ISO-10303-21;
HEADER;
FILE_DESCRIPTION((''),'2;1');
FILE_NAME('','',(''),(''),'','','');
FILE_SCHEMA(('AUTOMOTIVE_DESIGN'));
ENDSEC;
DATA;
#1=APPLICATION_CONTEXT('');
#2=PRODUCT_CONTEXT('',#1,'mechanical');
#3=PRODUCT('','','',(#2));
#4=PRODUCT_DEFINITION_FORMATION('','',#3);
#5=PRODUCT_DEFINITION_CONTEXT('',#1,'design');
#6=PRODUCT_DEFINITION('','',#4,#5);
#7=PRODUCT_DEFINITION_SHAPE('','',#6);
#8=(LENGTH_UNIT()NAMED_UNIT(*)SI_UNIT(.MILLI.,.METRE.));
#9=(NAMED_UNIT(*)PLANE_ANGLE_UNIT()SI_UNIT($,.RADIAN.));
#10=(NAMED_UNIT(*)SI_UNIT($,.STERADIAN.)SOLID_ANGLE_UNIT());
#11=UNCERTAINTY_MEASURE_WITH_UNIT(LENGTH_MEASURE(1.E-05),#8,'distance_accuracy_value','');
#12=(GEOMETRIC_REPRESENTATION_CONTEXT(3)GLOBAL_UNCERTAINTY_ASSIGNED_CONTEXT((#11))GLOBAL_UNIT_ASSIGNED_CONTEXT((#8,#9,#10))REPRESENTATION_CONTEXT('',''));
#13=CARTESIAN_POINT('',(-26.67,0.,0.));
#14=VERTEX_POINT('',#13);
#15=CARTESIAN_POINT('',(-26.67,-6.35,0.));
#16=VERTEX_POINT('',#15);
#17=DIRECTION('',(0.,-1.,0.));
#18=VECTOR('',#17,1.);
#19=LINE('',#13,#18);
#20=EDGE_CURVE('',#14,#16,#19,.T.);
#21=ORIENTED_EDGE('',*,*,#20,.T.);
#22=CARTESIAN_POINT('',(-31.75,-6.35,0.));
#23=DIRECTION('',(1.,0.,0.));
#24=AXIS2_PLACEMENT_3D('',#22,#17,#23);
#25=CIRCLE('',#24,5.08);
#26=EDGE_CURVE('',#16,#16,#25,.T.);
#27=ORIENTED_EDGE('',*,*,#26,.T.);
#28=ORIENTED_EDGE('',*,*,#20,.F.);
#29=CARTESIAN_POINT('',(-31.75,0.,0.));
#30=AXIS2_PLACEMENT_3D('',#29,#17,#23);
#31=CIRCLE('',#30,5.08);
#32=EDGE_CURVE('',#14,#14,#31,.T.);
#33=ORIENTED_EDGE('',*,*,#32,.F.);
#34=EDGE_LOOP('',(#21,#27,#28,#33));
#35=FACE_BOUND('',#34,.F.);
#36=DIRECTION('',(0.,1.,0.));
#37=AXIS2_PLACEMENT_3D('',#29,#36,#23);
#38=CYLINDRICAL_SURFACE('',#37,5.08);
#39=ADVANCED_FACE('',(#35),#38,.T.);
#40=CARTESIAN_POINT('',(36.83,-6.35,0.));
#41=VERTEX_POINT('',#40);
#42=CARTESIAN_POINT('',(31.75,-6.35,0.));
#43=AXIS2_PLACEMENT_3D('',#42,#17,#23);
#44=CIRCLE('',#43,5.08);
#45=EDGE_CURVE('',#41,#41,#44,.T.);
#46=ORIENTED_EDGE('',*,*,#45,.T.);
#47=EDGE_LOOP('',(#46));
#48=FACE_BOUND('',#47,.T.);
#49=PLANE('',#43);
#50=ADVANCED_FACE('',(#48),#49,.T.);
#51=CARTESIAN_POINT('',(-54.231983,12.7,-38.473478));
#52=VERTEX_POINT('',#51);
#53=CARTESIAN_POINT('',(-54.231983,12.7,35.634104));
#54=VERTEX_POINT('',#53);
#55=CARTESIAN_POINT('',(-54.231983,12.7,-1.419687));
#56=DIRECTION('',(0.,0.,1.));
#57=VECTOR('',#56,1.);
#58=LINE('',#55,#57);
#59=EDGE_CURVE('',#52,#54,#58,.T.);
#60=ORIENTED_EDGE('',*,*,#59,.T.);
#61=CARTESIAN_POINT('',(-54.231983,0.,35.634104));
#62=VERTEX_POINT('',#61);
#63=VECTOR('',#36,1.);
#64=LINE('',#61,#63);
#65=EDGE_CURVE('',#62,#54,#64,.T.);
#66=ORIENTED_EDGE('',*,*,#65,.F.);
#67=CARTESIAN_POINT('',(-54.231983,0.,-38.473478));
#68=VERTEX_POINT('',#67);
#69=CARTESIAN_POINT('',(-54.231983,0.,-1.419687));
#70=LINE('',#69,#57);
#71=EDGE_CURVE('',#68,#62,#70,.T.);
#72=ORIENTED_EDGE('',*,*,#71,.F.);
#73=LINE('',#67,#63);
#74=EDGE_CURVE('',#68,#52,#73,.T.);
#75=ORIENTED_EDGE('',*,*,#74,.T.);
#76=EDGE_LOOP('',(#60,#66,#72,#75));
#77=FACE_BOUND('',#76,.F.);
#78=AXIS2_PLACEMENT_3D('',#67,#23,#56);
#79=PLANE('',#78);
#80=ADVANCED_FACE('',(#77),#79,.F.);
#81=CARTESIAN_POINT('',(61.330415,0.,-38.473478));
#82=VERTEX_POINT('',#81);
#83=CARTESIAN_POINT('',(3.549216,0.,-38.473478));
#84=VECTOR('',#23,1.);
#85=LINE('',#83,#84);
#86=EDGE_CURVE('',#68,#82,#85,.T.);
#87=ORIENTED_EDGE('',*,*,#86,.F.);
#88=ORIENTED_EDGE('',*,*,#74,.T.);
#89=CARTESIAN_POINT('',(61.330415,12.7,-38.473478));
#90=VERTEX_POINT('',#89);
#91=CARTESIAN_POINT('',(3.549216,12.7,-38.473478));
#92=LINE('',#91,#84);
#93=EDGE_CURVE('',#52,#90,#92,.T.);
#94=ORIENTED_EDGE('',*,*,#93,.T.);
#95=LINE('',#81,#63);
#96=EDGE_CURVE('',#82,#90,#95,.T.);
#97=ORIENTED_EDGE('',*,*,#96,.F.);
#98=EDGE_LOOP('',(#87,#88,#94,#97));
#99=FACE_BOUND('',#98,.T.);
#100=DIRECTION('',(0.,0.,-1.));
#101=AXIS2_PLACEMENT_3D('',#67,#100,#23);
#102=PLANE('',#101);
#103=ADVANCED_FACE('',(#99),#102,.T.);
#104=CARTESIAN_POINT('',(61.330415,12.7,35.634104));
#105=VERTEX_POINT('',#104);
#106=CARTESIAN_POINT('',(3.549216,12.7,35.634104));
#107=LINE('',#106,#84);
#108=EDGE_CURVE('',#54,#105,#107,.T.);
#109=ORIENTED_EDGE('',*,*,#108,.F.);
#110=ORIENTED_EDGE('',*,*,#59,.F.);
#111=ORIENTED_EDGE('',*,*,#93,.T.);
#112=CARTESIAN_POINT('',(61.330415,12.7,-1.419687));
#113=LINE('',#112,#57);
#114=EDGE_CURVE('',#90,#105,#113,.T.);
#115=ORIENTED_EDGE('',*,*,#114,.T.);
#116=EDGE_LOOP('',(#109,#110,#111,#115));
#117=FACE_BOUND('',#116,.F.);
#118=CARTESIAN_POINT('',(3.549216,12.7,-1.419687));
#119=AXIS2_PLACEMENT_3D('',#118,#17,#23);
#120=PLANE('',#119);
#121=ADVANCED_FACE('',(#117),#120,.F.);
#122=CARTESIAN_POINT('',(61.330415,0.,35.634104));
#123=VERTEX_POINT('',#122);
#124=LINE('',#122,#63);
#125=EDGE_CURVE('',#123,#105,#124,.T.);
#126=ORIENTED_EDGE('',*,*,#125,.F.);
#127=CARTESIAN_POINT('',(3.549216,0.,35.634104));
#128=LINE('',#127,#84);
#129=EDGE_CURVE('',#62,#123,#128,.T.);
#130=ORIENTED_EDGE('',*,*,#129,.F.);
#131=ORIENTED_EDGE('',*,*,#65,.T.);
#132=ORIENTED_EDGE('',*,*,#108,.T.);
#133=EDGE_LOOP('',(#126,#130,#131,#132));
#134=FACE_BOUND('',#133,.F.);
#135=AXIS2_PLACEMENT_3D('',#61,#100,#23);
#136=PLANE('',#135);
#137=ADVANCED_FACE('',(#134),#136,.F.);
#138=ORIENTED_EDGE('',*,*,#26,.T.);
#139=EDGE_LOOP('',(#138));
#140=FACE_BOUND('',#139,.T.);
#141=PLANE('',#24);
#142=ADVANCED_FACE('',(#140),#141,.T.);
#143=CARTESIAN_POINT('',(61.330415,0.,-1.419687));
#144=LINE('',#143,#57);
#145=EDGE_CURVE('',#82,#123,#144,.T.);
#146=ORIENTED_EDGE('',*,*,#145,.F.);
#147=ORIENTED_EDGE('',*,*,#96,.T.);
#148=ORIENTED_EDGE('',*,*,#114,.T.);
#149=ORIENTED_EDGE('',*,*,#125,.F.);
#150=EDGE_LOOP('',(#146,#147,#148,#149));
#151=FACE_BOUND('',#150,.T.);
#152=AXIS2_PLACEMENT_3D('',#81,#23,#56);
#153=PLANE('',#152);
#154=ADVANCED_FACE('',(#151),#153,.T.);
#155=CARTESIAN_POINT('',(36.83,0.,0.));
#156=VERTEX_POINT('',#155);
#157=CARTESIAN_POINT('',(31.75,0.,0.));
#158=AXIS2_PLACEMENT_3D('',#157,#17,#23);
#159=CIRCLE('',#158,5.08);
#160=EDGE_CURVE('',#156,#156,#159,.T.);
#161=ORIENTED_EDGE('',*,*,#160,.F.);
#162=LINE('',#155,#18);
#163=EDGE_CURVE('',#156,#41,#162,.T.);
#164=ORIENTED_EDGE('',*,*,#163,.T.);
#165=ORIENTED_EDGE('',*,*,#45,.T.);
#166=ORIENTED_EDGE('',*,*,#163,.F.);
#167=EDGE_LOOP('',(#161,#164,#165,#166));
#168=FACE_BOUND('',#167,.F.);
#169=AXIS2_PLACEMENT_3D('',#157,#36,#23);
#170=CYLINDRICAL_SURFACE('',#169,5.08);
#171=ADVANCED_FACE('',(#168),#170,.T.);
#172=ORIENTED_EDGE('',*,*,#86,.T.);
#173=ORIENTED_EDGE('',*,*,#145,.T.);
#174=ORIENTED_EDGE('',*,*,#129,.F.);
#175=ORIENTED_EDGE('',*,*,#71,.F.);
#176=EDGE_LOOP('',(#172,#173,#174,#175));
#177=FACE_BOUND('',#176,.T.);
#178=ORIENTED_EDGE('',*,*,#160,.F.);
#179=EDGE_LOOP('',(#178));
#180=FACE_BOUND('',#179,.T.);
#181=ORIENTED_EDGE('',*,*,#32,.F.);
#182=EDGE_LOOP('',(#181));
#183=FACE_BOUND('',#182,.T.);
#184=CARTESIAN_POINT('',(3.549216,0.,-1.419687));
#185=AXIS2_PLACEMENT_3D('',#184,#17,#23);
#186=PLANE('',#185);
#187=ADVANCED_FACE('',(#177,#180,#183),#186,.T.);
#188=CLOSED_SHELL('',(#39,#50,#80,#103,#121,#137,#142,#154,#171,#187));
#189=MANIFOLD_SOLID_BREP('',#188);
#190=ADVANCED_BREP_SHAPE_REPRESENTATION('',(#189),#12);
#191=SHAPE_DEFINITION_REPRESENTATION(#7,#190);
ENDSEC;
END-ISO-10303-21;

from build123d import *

# Parameters (mm, degrees)
F0_W     = 115.562398
F0_H     = 74.107583
F1_DEPTH = 12.7
F2_R     = 5.08
F3_DEPTH = 6.35


with BuildPart() as f1:
    # F0 (on Front) → F1 (new body)
    with BuildSketch(Plane.XZ):
        with Locations((3.549216, -1.419687)):
            Rectangle(F0_W, F0_H)
    extrude(amount=-F1_DEPTH)

    # F2 (on Front) → F3 (join)
    with BuildSketch(Plane.XZ):
        with Locations((-31.75, 0)):
            Circle(F2_R)
        with Locations((31.75, 0)):
            Circle(F2_R)
    extrude(amount=F3_DEPTH)


solid = f1.part
